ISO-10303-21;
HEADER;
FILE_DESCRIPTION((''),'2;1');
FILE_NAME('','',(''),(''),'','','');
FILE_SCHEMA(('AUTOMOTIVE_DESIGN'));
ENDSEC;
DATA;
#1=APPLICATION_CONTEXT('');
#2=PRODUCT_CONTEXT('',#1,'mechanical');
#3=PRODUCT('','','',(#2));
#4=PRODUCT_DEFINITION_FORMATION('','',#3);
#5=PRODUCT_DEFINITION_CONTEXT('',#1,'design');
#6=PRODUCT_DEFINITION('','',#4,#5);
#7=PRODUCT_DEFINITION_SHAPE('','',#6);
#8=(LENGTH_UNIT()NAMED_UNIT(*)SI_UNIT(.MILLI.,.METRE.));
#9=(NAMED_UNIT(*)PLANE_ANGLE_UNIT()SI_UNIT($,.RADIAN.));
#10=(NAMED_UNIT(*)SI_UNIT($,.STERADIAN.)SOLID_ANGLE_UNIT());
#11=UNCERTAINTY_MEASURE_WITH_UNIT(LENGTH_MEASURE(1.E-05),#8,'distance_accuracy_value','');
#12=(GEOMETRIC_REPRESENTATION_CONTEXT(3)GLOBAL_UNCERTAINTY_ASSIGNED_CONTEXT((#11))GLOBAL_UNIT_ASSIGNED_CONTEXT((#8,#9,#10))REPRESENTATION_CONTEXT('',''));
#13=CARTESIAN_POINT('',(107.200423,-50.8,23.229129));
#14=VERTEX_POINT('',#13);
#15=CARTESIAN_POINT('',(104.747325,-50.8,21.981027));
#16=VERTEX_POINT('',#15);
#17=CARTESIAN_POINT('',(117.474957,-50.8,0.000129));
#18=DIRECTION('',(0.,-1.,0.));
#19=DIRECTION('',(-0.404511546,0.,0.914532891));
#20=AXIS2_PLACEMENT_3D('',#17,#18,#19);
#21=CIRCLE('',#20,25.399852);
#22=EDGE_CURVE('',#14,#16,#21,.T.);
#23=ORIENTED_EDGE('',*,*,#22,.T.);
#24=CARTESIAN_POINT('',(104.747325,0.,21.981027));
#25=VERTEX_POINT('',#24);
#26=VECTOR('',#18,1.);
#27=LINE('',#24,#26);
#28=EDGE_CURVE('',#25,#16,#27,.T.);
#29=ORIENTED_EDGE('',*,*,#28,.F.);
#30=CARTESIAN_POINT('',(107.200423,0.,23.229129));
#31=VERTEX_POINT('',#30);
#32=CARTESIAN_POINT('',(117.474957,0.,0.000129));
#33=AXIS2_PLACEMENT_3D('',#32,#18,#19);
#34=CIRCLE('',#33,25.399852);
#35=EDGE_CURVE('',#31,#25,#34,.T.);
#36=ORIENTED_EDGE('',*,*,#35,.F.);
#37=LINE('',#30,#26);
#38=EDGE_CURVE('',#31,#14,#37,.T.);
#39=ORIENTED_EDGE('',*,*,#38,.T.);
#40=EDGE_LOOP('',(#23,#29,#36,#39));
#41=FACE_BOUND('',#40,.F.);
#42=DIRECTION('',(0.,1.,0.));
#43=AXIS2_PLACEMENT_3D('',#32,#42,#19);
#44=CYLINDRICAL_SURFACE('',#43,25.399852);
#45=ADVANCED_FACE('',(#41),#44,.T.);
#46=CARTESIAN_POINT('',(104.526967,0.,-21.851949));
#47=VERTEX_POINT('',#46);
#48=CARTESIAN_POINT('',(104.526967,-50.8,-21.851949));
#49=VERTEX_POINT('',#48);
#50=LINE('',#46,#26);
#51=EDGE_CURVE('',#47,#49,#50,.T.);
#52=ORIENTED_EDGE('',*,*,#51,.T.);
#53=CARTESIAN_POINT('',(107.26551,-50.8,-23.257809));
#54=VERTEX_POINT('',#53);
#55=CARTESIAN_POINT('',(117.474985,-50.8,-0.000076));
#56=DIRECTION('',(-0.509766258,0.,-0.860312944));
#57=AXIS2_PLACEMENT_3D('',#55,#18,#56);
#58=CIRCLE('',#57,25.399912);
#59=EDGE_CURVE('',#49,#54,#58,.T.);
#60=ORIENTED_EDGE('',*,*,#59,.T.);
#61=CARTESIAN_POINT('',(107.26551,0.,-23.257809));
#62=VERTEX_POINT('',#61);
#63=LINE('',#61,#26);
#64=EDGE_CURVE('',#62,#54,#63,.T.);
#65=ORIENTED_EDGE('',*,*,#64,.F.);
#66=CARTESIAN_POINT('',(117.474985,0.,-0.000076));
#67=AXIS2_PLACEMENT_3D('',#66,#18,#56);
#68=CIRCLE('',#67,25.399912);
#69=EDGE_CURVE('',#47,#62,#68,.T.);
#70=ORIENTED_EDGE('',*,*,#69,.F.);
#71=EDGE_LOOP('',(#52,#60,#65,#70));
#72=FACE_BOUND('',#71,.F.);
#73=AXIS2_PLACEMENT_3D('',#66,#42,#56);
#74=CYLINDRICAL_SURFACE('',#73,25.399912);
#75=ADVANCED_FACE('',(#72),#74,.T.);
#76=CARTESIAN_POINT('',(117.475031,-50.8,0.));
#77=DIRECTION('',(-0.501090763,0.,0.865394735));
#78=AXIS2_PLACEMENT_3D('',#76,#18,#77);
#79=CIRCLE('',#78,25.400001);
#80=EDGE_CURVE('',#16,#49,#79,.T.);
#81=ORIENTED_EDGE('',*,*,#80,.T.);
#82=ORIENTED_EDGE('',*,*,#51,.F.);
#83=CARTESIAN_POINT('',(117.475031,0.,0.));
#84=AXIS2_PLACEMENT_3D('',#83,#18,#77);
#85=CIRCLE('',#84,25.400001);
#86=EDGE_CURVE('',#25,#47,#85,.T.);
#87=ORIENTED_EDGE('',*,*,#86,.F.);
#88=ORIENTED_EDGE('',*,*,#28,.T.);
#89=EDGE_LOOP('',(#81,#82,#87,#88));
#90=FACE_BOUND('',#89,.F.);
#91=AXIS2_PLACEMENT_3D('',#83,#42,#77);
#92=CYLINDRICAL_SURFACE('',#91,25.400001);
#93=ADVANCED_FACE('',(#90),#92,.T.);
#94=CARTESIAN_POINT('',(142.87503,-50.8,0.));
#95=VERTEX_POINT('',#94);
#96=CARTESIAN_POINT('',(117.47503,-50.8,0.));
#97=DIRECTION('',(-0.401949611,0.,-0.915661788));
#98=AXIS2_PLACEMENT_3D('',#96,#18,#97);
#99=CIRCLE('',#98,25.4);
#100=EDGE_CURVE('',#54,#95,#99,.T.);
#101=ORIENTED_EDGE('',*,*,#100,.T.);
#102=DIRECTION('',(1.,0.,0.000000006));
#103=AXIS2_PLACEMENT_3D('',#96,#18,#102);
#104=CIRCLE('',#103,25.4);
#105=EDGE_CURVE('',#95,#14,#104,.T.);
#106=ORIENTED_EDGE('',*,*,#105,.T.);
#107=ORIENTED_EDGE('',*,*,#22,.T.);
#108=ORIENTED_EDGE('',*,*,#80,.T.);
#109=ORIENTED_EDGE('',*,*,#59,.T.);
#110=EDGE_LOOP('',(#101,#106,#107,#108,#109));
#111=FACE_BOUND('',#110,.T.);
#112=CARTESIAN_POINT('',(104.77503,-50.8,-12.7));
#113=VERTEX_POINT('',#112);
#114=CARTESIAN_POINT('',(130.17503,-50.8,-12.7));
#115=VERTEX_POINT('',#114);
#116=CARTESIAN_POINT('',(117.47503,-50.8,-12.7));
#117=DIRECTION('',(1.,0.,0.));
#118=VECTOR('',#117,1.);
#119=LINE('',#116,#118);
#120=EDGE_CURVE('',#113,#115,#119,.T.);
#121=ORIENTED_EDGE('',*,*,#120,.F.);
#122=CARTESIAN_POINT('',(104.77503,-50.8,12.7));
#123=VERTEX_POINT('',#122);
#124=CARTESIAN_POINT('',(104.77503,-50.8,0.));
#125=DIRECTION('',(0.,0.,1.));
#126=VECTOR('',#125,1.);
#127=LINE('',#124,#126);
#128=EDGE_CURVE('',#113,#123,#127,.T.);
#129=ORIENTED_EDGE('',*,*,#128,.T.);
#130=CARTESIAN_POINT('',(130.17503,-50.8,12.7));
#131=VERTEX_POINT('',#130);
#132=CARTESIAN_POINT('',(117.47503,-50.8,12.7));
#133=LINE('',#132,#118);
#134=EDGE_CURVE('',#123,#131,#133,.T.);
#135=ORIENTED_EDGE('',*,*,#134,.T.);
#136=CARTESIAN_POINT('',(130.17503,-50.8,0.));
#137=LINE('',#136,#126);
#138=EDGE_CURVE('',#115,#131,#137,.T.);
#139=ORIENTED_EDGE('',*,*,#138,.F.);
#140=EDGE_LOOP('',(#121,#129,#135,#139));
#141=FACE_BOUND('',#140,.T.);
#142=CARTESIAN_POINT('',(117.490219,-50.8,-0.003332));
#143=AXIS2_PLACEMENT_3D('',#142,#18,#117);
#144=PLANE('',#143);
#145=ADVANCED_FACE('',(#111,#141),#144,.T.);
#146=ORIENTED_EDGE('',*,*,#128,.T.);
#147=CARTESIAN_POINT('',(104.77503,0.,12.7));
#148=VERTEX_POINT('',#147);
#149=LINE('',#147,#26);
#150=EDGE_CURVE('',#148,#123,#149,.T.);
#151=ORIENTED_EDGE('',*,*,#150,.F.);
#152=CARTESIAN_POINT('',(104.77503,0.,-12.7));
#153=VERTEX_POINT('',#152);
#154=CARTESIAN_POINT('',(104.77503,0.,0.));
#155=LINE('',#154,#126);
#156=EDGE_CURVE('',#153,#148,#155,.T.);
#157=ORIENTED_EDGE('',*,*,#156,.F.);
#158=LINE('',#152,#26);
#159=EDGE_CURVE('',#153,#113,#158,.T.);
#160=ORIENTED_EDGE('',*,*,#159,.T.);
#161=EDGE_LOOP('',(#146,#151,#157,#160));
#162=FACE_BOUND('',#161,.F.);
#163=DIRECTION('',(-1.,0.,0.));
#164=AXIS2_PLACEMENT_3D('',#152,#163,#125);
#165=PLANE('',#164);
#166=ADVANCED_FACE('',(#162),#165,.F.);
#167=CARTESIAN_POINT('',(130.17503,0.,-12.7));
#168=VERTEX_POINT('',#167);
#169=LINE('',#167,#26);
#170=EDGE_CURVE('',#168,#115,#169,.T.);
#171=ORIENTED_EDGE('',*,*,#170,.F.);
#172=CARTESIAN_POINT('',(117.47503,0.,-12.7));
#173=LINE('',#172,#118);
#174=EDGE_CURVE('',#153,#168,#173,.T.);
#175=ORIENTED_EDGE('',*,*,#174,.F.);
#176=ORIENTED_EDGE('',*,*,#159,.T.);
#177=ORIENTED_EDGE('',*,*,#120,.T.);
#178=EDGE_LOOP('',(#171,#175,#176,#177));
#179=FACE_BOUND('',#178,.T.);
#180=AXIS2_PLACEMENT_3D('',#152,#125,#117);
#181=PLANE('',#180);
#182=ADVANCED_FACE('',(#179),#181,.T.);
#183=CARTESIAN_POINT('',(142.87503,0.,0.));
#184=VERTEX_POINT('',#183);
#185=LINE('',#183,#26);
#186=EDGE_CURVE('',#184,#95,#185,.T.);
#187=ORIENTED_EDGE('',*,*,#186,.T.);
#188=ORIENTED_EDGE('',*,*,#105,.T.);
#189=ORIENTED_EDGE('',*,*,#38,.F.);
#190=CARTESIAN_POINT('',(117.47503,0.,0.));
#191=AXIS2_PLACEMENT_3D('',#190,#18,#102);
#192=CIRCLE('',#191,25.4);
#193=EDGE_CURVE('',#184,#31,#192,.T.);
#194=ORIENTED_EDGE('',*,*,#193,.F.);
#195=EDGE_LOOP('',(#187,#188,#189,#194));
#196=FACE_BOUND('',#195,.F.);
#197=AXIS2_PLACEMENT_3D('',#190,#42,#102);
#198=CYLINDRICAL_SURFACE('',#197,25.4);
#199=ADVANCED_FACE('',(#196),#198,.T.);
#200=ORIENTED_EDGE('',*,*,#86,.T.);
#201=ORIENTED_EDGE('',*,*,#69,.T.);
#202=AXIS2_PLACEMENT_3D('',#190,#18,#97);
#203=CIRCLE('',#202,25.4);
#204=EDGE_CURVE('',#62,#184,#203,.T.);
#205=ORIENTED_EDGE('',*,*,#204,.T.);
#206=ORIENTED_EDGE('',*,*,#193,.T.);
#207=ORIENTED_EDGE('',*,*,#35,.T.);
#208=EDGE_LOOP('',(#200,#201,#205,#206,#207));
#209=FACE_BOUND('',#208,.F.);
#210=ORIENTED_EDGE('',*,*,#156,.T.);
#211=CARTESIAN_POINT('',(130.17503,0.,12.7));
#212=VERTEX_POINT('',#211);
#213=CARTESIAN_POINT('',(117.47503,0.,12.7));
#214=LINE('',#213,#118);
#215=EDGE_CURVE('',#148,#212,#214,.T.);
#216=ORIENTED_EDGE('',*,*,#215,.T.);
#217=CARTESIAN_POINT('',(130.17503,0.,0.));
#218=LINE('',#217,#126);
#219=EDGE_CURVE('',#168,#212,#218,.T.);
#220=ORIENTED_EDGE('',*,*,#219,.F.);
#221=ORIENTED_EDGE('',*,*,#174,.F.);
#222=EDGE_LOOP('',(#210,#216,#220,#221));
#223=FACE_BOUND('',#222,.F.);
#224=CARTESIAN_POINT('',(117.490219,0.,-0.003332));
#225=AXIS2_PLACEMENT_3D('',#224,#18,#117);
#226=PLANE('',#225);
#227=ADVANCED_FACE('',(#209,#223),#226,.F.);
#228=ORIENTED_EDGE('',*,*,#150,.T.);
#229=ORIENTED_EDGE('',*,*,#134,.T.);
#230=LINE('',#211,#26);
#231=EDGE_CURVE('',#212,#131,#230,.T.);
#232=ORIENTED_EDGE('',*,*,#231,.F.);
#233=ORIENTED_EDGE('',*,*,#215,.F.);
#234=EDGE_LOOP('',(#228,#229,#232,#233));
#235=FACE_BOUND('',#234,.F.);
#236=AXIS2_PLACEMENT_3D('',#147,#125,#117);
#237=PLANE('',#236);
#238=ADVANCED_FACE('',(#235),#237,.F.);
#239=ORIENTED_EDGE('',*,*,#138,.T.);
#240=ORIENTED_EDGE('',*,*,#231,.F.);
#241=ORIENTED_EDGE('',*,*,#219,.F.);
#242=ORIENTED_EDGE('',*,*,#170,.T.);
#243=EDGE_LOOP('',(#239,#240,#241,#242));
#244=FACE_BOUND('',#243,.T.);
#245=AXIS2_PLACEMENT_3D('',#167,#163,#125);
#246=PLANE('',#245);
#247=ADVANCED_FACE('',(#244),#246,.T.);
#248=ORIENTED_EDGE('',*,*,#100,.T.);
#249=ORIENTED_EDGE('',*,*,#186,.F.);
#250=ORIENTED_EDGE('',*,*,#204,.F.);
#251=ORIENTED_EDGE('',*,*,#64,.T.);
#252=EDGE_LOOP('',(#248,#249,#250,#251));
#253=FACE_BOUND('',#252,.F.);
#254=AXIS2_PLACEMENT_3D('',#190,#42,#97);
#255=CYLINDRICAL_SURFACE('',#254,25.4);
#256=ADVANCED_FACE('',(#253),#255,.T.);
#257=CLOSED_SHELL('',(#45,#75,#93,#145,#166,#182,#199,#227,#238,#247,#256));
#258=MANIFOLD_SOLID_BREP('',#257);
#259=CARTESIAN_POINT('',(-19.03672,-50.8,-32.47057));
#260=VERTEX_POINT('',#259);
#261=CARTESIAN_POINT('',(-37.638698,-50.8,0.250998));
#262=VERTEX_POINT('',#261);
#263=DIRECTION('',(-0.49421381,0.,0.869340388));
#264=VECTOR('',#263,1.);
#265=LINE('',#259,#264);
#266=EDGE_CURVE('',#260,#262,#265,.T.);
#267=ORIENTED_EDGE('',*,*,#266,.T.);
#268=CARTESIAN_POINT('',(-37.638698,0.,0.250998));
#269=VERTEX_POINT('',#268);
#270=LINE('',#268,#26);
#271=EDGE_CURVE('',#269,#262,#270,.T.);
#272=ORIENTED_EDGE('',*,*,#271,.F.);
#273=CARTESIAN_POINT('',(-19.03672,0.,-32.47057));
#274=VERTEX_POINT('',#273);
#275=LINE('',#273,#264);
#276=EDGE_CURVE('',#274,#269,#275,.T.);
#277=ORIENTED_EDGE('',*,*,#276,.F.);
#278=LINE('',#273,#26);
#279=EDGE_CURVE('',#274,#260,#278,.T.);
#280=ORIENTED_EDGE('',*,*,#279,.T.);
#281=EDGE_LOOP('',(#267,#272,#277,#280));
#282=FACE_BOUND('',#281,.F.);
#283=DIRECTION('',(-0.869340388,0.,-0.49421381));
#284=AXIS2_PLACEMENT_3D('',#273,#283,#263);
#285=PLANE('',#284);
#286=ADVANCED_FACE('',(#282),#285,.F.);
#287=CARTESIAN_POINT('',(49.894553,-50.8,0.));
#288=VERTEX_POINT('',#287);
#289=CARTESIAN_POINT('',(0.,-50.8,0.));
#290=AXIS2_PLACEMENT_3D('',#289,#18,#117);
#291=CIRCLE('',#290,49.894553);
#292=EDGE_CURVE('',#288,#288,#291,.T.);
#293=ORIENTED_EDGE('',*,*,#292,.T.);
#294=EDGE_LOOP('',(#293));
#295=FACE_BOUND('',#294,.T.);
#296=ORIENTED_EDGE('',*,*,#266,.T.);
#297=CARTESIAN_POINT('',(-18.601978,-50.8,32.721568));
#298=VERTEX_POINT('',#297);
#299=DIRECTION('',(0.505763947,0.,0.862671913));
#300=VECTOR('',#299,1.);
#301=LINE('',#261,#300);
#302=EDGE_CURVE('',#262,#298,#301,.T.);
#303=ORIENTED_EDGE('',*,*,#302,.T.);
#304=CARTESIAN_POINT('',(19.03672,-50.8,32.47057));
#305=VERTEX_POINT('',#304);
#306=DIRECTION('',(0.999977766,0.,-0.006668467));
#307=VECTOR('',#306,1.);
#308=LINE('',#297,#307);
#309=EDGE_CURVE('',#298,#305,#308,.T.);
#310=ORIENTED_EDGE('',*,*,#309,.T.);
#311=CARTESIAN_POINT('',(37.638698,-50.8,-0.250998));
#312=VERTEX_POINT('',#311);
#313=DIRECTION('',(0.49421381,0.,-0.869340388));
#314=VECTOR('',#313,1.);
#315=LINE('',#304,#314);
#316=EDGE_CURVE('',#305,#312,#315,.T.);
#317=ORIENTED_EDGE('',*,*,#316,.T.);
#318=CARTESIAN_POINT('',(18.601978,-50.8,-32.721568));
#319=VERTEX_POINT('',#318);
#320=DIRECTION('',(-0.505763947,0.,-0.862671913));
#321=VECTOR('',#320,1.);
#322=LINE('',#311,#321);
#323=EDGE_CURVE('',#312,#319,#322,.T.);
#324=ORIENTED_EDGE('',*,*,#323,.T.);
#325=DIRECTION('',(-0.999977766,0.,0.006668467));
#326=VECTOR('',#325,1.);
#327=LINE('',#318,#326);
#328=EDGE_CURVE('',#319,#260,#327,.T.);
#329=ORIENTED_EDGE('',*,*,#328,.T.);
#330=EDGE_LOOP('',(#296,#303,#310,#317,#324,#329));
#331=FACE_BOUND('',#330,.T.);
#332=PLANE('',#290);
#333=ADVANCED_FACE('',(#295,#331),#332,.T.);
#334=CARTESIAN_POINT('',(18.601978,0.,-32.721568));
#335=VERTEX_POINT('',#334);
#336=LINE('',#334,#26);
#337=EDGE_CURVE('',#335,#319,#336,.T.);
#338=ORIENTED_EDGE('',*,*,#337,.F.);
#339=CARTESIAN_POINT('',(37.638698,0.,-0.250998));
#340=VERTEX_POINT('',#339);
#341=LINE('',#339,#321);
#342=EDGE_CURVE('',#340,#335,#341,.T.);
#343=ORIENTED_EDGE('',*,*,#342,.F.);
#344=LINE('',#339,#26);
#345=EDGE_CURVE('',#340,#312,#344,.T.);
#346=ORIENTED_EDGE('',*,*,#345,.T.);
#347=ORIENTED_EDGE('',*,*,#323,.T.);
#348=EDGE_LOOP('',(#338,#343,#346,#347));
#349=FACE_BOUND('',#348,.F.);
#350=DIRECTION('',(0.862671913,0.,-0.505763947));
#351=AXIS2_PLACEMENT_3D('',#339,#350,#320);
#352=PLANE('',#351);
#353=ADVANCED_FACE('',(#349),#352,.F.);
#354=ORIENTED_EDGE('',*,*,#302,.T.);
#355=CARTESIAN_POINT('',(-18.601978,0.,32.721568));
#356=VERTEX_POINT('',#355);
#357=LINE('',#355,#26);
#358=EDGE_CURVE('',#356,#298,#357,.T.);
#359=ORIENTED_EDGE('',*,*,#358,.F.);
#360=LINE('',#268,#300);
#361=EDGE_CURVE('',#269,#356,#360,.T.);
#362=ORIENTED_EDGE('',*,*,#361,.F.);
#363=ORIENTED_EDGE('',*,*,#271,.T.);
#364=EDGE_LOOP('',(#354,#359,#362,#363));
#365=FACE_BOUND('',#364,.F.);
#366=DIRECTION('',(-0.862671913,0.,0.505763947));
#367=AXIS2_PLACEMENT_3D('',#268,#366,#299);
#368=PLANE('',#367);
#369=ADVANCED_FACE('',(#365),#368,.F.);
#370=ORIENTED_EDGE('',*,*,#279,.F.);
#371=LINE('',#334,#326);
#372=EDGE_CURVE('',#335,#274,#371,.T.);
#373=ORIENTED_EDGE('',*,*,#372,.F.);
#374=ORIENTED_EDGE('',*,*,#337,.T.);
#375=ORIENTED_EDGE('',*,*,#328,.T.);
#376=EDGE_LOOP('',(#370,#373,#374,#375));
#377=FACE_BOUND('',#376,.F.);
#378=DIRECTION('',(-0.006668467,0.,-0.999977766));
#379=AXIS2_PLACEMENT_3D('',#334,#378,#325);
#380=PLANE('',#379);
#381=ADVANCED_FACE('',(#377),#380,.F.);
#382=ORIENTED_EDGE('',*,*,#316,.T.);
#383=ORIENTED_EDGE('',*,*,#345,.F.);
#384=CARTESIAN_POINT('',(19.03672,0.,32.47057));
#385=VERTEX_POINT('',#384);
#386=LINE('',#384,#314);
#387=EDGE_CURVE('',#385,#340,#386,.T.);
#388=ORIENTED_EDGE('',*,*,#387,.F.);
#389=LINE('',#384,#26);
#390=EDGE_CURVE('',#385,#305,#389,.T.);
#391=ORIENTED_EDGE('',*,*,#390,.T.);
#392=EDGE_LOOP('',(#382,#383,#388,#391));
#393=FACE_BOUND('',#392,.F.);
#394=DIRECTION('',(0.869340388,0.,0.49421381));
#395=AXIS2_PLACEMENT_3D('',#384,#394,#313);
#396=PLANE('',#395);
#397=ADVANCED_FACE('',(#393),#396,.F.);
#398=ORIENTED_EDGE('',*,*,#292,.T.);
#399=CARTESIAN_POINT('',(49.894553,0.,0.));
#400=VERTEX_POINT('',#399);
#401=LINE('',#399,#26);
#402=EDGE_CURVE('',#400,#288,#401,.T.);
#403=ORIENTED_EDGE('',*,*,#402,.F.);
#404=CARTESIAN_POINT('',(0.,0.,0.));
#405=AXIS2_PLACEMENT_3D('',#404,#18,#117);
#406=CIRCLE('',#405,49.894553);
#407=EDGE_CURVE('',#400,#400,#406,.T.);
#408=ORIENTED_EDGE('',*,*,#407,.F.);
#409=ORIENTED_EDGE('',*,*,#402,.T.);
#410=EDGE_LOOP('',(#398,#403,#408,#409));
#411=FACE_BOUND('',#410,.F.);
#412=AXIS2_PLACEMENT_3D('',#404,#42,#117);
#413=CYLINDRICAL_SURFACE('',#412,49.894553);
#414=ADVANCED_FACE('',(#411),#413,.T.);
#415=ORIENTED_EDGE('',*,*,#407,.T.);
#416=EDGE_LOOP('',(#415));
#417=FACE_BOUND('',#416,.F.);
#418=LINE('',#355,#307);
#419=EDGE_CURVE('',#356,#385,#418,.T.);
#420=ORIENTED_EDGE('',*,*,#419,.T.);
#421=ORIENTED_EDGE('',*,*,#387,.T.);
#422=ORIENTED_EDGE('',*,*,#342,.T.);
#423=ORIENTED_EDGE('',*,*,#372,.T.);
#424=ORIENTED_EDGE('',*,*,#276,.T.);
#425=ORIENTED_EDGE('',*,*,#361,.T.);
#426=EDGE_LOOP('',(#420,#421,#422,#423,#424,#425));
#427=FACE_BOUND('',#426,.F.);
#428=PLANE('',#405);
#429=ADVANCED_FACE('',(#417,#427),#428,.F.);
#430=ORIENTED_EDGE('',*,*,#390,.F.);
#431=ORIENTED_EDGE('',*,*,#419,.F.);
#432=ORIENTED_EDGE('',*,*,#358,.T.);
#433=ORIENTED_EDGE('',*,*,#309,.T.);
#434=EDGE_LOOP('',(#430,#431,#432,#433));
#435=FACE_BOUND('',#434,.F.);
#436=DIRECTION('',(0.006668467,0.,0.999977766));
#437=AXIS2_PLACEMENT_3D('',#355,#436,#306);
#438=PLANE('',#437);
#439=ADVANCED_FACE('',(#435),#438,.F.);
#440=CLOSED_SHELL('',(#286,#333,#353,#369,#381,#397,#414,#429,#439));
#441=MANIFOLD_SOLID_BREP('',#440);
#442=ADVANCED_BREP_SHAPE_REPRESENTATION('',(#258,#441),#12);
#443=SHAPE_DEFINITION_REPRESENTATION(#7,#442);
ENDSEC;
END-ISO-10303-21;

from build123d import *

# Parameters (mm, degrees)
F0_R     = 49.894553
F0_W     = 25.4
F0_H     = 25.4
F1_DEPTH = 50.8


with BuildPart() as f1:
    # F0 (on Front) → F1 (new body)
    with BuildSketch(Plane.XZ):
        Circle(F0_R)
        Polygon((-37.638698, 0.250998), (-18.601978, 32.721568), (19.03672, 32.47057), (37.638698, -0.250998), (18.601978, -32.721568), (-19.03672, -32.47057), align=None, mode=Mode.SUBTRACT)
        with BuildLine():
            ThreePointArc((107.26551, -23.257809), (131.364562, -21.265956), (142.87503, 0))
            ThreePointArc((142.87503, 0), (131.334774, 21.285382), (107.200423, 23.229129))
            add(Edge.make_bspline(
                [(104.747325, 21.981027), (105.56974, 22.395441), (106.387728, 22.812339), (107.200423, 23.229129)],
                knots=[73.557844, 73.557844, 73.557844, 73.557844, 76.166784, 76.166784, 76.166784, 76.166784], degree=3))
            ThreePointArc((104.747325, 21.981027), (92.075351, 0.12769), (104.526967, -21.851949))
            add(Edge.make_bspline(
                [(104.526967, -21.851949), (105.446682, -22.318293), (106.35998, -22.788152), (107.26551, -23.257809)],
                knots=[73.265343, 73.265343, 73.265343, 73.265343, 76.199575, 76.199575, 76.199575, 76.199575], degree=3))
        make_face()
        with Locations((117.47503, 0)):
            Rectangle(F0_W, F0_H, mode=Mode.SUBTRACT)
        with BuildLine():
            add(Edge.make_bspline(
                [(104.747325, 21.981027), (105.56974, 22.395441), (106.387728, 22.812339), (107.200423, 23.229129)],
                knots=[73.557844, 73.557844, 73.557844, 73.557844, 76.166784, 76.166784, 76.166784, 76.166784], degree=3))
            ThreePointArc((107.200423, 23.229129), (105.956956, 22.63833), (104.747325, 21.981027))
        make_face()
        with BuildLine():
            ThreePointArc((104.526967, -21.851949), (105.874921, -22.596404), (107.26551, -23.257809))
            add(Edge.make_bspline(
                [(104.526967, -21.851949), (105.446682, -22.318293), (106.35998, -22.788152), (107.26551, -23.257809)],
                knots=[73.265343, 73.265343, 73.265343, 73.265343, 76.199575, 76.199575, 76.199575, 76.199575], degree=3))
        make_face()
    extrude(amount=F1_DEPTH)


solid = f1.part
